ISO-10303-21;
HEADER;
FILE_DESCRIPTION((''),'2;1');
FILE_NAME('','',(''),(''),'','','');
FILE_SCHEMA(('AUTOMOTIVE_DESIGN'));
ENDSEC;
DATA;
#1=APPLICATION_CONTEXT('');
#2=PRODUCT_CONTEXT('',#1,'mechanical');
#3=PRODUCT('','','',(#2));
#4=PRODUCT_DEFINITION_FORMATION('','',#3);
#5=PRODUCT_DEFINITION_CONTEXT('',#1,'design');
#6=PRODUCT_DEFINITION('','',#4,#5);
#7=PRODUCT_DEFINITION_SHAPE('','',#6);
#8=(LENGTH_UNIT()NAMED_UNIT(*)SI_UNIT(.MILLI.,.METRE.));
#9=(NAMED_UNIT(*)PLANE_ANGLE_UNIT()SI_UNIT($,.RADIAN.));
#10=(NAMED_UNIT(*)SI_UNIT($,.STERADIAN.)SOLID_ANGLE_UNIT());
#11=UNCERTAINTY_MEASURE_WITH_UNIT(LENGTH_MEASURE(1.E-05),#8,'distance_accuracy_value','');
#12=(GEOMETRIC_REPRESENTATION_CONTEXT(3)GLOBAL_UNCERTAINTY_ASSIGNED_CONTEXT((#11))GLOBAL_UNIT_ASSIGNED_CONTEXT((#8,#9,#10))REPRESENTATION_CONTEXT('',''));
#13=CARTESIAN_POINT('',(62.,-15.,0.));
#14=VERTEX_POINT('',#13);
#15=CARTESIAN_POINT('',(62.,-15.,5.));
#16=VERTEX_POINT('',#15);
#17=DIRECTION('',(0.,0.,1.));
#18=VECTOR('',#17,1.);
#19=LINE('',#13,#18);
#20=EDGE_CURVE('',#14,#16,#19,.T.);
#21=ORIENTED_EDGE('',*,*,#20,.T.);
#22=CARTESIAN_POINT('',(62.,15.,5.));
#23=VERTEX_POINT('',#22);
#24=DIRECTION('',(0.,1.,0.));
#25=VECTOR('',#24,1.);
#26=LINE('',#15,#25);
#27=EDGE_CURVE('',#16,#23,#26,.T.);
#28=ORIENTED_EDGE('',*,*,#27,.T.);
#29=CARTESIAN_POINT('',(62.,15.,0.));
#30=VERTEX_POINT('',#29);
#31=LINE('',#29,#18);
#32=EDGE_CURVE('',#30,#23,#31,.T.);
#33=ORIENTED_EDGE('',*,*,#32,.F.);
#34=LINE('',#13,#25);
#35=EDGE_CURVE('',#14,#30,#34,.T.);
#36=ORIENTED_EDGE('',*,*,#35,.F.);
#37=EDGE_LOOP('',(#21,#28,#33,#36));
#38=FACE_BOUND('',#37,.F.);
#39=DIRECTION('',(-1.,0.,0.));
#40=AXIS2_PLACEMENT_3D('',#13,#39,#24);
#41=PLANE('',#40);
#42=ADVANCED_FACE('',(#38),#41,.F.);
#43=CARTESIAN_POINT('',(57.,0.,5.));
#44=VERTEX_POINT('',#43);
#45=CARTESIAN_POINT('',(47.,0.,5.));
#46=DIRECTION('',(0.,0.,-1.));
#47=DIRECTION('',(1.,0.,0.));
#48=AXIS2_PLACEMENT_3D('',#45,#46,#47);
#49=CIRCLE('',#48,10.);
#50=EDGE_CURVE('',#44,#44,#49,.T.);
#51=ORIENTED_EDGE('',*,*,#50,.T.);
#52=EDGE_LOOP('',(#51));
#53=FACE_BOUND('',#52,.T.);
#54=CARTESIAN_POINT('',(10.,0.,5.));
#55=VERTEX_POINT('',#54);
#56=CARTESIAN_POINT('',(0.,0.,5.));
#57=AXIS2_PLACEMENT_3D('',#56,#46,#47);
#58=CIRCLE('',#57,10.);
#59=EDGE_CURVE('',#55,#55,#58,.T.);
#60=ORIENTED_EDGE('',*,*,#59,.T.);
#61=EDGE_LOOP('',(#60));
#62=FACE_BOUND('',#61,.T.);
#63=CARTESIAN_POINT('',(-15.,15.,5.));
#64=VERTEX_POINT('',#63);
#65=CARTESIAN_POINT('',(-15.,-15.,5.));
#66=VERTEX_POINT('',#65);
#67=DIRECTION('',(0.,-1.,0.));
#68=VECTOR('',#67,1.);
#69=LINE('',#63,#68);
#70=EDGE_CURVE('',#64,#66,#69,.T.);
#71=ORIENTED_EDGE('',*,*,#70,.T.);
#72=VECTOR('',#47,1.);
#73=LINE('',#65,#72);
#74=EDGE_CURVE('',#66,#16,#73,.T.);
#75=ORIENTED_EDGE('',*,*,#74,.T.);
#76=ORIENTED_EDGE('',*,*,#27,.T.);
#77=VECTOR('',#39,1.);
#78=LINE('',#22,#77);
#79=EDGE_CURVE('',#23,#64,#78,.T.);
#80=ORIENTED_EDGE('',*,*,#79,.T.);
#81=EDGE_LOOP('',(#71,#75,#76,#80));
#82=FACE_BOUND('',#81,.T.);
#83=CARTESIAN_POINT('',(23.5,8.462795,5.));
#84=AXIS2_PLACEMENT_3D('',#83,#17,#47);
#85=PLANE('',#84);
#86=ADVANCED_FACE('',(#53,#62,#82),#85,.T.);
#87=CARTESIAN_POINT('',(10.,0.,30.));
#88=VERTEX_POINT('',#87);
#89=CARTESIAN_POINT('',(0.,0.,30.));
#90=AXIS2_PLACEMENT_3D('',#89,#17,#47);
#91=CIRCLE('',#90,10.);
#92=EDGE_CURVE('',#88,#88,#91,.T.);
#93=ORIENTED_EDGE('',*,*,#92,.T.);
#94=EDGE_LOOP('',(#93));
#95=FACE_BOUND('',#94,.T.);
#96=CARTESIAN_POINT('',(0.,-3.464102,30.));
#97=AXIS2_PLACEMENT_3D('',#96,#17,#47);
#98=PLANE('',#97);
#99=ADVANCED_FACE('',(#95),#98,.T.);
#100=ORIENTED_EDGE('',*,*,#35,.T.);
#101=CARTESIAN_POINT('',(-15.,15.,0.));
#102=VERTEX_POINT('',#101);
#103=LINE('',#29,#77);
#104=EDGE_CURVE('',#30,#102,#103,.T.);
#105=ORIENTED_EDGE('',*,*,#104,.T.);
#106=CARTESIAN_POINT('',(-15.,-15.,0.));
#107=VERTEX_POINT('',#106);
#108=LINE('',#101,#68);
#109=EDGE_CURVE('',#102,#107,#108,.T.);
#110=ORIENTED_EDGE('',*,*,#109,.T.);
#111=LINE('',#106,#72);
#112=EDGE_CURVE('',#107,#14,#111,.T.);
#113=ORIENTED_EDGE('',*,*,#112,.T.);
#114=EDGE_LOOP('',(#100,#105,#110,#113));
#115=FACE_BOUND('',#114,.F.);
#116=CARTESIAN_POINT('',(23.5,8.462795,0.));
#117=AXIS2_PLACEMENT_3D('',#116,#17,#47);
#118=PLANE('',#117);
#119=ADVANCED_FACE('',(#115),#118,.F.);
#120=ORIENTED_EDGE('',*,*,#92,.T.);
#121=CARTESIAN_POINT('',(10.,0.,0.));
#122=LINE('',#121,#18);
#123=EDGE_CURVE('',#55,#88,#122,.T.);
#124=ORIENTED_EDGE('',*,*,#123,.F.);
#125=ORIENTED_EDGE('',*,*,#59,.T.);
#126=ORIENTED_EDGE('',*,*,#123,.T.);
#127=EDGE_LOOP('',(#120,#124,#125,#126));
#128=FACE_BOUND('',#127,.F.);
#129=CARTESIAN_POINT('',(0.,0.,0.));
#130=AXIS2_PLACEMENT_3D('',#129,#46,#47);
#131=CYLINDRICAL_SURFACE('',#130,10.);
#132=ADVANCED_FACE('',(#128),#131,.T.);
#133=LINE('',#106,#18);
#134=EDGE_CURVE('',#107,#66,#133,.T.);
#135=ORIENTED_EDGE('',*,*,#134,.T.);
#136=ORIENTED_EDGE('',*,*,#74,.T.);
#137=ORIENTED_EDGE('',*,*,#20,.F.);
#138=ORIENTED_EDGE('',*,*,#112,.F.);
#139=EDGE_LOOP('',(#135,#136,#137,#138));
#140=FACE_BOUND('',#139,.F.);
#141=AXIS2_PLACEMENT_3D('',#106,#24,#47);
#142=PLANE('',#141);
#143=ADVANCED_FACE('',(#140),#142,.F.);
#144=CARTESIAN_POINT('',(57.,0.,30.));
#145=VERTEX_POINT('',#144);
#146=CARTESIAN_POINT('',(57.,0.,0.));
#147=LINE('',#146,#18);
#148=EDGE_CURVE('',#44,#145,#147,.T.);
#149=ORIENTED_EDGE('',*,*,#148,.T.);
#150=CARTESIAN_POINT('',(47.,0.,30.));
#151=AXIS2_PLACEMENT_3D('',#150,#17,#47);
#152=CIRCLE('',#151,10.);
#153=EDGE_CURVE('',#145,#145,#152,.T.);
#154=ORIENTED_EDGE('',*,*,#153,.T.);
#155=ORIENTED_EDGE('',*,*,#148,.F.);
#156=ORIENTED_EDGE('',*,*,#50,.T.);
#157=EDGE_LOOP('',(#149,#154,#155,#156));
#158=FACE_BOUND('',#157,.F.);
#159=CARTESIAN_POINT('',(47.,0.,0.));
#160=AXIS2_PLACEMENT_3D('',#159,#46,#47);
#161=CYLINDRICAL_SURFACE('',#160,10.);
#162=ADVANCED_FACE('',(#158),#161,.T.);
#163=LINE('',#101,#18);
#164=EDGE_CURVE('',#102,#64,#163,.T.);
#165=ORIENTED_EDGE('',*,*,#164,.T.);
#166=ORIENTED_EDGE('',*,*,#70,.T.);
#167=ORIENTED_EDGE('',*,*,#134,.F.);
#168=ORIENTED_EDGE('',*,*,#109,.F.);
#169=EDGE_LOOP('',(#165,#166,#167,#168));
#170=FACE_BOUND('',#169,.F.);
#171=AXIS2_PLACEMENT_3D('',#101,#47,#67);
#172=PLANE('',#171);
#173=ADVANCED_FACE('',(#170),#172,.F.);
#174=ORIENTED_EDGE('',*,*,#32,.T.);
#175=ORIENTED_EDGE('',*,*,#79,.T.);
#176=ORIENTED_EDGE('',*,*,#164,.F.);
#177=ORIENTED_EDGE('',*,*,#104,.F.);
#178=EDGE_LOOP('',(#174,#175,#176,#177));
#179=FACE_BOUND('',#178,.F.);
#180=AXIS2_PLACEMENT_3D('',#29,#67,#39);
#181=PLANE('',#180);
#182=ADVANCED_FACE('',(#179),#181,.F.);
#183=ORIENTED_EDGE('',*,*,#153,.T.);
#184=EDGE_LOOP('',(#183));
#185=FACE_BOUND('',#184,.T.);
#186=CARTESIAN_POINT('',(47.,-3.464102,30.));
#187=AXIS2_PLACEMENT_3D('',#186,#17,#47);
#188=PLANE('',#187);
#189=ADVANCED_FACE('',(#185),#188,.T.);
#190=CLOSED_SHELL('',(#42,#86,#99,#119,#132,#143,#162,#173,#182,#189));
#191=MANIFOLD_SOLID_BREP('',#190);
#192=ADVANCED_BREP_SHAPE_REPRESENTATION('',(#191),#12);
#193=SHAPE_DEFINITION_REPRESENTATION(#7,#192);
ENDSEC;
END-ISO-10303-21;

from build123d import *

# Parameters (mm, degrees)
F2_DEPTH = 5
F3_DEPTH = 30


with BuildPart() as f2:
    # F0 (on Top) → F2 (new body)
    with BuildSketch(Plane.XY):
        with BuildLine():
            ThreePointArc((-10, 0), (0, 10), (10, 0))
            Line((10, 0), (37, 0))
            ThreePointArc((37, 0), (47, 10), (57, 0))
            Line((57, 0), (62, 0))
            Line((62, 0), (62, 15))
            Line((62, 15), (-15, 15))
            Line((-15, 15), (-15, 0))
            Line((-15, 0), (-10, 0))
        make_face()
        with BuildLine():
            Line((37, 0), (10, 0))
            ThreePointArc((10, 0), (0, -10), (-10, 0))
            Line((-10, 0), (-15, 0))
            Line((-15, 0), (-15, -15))
            Line((-15, -15), (62, -15))
            Line((62, -15), (62, 0))
            Line((62, 0), (57, 0))
            ThreePointArc((57, 0), (47, -10), (37, 0))
        make_face()
    extrude(amount=F2_DEPTH)

    # F0 (on Top) → F3 (join)
    with BuildSketch(Plane.XY):
        with BuildLine():
            ThreePointArc((-10, 0), (0, -10), (10, 0))
            Line((10, 0), (0, 0))
            Line((0, 0), (-10, 0))
        make_face()
        with BuildLine():
            Line((0, 0), (10, 0))
            ThreePointArc((10, 0), (0, 10), (-10, 0))
            Line((-10, 0), (0, 0))
        make_face()
        with BuildLine():
            Line((47, 0), (37, 0))
            ThreePointArc((37, 0), (47, -10), (57, 0))
            Line((57, 0), (47, 0))
        make_face()
        with BuildLine():
            ThreePointArc((57, 0), (47, 10), (37, 0))
            Line((37, 0), (47, 0))
            Line((47, 0), (57, 0))
        make_face()
    extrude(amount=F3_DEPTH)


solid = f2.part
